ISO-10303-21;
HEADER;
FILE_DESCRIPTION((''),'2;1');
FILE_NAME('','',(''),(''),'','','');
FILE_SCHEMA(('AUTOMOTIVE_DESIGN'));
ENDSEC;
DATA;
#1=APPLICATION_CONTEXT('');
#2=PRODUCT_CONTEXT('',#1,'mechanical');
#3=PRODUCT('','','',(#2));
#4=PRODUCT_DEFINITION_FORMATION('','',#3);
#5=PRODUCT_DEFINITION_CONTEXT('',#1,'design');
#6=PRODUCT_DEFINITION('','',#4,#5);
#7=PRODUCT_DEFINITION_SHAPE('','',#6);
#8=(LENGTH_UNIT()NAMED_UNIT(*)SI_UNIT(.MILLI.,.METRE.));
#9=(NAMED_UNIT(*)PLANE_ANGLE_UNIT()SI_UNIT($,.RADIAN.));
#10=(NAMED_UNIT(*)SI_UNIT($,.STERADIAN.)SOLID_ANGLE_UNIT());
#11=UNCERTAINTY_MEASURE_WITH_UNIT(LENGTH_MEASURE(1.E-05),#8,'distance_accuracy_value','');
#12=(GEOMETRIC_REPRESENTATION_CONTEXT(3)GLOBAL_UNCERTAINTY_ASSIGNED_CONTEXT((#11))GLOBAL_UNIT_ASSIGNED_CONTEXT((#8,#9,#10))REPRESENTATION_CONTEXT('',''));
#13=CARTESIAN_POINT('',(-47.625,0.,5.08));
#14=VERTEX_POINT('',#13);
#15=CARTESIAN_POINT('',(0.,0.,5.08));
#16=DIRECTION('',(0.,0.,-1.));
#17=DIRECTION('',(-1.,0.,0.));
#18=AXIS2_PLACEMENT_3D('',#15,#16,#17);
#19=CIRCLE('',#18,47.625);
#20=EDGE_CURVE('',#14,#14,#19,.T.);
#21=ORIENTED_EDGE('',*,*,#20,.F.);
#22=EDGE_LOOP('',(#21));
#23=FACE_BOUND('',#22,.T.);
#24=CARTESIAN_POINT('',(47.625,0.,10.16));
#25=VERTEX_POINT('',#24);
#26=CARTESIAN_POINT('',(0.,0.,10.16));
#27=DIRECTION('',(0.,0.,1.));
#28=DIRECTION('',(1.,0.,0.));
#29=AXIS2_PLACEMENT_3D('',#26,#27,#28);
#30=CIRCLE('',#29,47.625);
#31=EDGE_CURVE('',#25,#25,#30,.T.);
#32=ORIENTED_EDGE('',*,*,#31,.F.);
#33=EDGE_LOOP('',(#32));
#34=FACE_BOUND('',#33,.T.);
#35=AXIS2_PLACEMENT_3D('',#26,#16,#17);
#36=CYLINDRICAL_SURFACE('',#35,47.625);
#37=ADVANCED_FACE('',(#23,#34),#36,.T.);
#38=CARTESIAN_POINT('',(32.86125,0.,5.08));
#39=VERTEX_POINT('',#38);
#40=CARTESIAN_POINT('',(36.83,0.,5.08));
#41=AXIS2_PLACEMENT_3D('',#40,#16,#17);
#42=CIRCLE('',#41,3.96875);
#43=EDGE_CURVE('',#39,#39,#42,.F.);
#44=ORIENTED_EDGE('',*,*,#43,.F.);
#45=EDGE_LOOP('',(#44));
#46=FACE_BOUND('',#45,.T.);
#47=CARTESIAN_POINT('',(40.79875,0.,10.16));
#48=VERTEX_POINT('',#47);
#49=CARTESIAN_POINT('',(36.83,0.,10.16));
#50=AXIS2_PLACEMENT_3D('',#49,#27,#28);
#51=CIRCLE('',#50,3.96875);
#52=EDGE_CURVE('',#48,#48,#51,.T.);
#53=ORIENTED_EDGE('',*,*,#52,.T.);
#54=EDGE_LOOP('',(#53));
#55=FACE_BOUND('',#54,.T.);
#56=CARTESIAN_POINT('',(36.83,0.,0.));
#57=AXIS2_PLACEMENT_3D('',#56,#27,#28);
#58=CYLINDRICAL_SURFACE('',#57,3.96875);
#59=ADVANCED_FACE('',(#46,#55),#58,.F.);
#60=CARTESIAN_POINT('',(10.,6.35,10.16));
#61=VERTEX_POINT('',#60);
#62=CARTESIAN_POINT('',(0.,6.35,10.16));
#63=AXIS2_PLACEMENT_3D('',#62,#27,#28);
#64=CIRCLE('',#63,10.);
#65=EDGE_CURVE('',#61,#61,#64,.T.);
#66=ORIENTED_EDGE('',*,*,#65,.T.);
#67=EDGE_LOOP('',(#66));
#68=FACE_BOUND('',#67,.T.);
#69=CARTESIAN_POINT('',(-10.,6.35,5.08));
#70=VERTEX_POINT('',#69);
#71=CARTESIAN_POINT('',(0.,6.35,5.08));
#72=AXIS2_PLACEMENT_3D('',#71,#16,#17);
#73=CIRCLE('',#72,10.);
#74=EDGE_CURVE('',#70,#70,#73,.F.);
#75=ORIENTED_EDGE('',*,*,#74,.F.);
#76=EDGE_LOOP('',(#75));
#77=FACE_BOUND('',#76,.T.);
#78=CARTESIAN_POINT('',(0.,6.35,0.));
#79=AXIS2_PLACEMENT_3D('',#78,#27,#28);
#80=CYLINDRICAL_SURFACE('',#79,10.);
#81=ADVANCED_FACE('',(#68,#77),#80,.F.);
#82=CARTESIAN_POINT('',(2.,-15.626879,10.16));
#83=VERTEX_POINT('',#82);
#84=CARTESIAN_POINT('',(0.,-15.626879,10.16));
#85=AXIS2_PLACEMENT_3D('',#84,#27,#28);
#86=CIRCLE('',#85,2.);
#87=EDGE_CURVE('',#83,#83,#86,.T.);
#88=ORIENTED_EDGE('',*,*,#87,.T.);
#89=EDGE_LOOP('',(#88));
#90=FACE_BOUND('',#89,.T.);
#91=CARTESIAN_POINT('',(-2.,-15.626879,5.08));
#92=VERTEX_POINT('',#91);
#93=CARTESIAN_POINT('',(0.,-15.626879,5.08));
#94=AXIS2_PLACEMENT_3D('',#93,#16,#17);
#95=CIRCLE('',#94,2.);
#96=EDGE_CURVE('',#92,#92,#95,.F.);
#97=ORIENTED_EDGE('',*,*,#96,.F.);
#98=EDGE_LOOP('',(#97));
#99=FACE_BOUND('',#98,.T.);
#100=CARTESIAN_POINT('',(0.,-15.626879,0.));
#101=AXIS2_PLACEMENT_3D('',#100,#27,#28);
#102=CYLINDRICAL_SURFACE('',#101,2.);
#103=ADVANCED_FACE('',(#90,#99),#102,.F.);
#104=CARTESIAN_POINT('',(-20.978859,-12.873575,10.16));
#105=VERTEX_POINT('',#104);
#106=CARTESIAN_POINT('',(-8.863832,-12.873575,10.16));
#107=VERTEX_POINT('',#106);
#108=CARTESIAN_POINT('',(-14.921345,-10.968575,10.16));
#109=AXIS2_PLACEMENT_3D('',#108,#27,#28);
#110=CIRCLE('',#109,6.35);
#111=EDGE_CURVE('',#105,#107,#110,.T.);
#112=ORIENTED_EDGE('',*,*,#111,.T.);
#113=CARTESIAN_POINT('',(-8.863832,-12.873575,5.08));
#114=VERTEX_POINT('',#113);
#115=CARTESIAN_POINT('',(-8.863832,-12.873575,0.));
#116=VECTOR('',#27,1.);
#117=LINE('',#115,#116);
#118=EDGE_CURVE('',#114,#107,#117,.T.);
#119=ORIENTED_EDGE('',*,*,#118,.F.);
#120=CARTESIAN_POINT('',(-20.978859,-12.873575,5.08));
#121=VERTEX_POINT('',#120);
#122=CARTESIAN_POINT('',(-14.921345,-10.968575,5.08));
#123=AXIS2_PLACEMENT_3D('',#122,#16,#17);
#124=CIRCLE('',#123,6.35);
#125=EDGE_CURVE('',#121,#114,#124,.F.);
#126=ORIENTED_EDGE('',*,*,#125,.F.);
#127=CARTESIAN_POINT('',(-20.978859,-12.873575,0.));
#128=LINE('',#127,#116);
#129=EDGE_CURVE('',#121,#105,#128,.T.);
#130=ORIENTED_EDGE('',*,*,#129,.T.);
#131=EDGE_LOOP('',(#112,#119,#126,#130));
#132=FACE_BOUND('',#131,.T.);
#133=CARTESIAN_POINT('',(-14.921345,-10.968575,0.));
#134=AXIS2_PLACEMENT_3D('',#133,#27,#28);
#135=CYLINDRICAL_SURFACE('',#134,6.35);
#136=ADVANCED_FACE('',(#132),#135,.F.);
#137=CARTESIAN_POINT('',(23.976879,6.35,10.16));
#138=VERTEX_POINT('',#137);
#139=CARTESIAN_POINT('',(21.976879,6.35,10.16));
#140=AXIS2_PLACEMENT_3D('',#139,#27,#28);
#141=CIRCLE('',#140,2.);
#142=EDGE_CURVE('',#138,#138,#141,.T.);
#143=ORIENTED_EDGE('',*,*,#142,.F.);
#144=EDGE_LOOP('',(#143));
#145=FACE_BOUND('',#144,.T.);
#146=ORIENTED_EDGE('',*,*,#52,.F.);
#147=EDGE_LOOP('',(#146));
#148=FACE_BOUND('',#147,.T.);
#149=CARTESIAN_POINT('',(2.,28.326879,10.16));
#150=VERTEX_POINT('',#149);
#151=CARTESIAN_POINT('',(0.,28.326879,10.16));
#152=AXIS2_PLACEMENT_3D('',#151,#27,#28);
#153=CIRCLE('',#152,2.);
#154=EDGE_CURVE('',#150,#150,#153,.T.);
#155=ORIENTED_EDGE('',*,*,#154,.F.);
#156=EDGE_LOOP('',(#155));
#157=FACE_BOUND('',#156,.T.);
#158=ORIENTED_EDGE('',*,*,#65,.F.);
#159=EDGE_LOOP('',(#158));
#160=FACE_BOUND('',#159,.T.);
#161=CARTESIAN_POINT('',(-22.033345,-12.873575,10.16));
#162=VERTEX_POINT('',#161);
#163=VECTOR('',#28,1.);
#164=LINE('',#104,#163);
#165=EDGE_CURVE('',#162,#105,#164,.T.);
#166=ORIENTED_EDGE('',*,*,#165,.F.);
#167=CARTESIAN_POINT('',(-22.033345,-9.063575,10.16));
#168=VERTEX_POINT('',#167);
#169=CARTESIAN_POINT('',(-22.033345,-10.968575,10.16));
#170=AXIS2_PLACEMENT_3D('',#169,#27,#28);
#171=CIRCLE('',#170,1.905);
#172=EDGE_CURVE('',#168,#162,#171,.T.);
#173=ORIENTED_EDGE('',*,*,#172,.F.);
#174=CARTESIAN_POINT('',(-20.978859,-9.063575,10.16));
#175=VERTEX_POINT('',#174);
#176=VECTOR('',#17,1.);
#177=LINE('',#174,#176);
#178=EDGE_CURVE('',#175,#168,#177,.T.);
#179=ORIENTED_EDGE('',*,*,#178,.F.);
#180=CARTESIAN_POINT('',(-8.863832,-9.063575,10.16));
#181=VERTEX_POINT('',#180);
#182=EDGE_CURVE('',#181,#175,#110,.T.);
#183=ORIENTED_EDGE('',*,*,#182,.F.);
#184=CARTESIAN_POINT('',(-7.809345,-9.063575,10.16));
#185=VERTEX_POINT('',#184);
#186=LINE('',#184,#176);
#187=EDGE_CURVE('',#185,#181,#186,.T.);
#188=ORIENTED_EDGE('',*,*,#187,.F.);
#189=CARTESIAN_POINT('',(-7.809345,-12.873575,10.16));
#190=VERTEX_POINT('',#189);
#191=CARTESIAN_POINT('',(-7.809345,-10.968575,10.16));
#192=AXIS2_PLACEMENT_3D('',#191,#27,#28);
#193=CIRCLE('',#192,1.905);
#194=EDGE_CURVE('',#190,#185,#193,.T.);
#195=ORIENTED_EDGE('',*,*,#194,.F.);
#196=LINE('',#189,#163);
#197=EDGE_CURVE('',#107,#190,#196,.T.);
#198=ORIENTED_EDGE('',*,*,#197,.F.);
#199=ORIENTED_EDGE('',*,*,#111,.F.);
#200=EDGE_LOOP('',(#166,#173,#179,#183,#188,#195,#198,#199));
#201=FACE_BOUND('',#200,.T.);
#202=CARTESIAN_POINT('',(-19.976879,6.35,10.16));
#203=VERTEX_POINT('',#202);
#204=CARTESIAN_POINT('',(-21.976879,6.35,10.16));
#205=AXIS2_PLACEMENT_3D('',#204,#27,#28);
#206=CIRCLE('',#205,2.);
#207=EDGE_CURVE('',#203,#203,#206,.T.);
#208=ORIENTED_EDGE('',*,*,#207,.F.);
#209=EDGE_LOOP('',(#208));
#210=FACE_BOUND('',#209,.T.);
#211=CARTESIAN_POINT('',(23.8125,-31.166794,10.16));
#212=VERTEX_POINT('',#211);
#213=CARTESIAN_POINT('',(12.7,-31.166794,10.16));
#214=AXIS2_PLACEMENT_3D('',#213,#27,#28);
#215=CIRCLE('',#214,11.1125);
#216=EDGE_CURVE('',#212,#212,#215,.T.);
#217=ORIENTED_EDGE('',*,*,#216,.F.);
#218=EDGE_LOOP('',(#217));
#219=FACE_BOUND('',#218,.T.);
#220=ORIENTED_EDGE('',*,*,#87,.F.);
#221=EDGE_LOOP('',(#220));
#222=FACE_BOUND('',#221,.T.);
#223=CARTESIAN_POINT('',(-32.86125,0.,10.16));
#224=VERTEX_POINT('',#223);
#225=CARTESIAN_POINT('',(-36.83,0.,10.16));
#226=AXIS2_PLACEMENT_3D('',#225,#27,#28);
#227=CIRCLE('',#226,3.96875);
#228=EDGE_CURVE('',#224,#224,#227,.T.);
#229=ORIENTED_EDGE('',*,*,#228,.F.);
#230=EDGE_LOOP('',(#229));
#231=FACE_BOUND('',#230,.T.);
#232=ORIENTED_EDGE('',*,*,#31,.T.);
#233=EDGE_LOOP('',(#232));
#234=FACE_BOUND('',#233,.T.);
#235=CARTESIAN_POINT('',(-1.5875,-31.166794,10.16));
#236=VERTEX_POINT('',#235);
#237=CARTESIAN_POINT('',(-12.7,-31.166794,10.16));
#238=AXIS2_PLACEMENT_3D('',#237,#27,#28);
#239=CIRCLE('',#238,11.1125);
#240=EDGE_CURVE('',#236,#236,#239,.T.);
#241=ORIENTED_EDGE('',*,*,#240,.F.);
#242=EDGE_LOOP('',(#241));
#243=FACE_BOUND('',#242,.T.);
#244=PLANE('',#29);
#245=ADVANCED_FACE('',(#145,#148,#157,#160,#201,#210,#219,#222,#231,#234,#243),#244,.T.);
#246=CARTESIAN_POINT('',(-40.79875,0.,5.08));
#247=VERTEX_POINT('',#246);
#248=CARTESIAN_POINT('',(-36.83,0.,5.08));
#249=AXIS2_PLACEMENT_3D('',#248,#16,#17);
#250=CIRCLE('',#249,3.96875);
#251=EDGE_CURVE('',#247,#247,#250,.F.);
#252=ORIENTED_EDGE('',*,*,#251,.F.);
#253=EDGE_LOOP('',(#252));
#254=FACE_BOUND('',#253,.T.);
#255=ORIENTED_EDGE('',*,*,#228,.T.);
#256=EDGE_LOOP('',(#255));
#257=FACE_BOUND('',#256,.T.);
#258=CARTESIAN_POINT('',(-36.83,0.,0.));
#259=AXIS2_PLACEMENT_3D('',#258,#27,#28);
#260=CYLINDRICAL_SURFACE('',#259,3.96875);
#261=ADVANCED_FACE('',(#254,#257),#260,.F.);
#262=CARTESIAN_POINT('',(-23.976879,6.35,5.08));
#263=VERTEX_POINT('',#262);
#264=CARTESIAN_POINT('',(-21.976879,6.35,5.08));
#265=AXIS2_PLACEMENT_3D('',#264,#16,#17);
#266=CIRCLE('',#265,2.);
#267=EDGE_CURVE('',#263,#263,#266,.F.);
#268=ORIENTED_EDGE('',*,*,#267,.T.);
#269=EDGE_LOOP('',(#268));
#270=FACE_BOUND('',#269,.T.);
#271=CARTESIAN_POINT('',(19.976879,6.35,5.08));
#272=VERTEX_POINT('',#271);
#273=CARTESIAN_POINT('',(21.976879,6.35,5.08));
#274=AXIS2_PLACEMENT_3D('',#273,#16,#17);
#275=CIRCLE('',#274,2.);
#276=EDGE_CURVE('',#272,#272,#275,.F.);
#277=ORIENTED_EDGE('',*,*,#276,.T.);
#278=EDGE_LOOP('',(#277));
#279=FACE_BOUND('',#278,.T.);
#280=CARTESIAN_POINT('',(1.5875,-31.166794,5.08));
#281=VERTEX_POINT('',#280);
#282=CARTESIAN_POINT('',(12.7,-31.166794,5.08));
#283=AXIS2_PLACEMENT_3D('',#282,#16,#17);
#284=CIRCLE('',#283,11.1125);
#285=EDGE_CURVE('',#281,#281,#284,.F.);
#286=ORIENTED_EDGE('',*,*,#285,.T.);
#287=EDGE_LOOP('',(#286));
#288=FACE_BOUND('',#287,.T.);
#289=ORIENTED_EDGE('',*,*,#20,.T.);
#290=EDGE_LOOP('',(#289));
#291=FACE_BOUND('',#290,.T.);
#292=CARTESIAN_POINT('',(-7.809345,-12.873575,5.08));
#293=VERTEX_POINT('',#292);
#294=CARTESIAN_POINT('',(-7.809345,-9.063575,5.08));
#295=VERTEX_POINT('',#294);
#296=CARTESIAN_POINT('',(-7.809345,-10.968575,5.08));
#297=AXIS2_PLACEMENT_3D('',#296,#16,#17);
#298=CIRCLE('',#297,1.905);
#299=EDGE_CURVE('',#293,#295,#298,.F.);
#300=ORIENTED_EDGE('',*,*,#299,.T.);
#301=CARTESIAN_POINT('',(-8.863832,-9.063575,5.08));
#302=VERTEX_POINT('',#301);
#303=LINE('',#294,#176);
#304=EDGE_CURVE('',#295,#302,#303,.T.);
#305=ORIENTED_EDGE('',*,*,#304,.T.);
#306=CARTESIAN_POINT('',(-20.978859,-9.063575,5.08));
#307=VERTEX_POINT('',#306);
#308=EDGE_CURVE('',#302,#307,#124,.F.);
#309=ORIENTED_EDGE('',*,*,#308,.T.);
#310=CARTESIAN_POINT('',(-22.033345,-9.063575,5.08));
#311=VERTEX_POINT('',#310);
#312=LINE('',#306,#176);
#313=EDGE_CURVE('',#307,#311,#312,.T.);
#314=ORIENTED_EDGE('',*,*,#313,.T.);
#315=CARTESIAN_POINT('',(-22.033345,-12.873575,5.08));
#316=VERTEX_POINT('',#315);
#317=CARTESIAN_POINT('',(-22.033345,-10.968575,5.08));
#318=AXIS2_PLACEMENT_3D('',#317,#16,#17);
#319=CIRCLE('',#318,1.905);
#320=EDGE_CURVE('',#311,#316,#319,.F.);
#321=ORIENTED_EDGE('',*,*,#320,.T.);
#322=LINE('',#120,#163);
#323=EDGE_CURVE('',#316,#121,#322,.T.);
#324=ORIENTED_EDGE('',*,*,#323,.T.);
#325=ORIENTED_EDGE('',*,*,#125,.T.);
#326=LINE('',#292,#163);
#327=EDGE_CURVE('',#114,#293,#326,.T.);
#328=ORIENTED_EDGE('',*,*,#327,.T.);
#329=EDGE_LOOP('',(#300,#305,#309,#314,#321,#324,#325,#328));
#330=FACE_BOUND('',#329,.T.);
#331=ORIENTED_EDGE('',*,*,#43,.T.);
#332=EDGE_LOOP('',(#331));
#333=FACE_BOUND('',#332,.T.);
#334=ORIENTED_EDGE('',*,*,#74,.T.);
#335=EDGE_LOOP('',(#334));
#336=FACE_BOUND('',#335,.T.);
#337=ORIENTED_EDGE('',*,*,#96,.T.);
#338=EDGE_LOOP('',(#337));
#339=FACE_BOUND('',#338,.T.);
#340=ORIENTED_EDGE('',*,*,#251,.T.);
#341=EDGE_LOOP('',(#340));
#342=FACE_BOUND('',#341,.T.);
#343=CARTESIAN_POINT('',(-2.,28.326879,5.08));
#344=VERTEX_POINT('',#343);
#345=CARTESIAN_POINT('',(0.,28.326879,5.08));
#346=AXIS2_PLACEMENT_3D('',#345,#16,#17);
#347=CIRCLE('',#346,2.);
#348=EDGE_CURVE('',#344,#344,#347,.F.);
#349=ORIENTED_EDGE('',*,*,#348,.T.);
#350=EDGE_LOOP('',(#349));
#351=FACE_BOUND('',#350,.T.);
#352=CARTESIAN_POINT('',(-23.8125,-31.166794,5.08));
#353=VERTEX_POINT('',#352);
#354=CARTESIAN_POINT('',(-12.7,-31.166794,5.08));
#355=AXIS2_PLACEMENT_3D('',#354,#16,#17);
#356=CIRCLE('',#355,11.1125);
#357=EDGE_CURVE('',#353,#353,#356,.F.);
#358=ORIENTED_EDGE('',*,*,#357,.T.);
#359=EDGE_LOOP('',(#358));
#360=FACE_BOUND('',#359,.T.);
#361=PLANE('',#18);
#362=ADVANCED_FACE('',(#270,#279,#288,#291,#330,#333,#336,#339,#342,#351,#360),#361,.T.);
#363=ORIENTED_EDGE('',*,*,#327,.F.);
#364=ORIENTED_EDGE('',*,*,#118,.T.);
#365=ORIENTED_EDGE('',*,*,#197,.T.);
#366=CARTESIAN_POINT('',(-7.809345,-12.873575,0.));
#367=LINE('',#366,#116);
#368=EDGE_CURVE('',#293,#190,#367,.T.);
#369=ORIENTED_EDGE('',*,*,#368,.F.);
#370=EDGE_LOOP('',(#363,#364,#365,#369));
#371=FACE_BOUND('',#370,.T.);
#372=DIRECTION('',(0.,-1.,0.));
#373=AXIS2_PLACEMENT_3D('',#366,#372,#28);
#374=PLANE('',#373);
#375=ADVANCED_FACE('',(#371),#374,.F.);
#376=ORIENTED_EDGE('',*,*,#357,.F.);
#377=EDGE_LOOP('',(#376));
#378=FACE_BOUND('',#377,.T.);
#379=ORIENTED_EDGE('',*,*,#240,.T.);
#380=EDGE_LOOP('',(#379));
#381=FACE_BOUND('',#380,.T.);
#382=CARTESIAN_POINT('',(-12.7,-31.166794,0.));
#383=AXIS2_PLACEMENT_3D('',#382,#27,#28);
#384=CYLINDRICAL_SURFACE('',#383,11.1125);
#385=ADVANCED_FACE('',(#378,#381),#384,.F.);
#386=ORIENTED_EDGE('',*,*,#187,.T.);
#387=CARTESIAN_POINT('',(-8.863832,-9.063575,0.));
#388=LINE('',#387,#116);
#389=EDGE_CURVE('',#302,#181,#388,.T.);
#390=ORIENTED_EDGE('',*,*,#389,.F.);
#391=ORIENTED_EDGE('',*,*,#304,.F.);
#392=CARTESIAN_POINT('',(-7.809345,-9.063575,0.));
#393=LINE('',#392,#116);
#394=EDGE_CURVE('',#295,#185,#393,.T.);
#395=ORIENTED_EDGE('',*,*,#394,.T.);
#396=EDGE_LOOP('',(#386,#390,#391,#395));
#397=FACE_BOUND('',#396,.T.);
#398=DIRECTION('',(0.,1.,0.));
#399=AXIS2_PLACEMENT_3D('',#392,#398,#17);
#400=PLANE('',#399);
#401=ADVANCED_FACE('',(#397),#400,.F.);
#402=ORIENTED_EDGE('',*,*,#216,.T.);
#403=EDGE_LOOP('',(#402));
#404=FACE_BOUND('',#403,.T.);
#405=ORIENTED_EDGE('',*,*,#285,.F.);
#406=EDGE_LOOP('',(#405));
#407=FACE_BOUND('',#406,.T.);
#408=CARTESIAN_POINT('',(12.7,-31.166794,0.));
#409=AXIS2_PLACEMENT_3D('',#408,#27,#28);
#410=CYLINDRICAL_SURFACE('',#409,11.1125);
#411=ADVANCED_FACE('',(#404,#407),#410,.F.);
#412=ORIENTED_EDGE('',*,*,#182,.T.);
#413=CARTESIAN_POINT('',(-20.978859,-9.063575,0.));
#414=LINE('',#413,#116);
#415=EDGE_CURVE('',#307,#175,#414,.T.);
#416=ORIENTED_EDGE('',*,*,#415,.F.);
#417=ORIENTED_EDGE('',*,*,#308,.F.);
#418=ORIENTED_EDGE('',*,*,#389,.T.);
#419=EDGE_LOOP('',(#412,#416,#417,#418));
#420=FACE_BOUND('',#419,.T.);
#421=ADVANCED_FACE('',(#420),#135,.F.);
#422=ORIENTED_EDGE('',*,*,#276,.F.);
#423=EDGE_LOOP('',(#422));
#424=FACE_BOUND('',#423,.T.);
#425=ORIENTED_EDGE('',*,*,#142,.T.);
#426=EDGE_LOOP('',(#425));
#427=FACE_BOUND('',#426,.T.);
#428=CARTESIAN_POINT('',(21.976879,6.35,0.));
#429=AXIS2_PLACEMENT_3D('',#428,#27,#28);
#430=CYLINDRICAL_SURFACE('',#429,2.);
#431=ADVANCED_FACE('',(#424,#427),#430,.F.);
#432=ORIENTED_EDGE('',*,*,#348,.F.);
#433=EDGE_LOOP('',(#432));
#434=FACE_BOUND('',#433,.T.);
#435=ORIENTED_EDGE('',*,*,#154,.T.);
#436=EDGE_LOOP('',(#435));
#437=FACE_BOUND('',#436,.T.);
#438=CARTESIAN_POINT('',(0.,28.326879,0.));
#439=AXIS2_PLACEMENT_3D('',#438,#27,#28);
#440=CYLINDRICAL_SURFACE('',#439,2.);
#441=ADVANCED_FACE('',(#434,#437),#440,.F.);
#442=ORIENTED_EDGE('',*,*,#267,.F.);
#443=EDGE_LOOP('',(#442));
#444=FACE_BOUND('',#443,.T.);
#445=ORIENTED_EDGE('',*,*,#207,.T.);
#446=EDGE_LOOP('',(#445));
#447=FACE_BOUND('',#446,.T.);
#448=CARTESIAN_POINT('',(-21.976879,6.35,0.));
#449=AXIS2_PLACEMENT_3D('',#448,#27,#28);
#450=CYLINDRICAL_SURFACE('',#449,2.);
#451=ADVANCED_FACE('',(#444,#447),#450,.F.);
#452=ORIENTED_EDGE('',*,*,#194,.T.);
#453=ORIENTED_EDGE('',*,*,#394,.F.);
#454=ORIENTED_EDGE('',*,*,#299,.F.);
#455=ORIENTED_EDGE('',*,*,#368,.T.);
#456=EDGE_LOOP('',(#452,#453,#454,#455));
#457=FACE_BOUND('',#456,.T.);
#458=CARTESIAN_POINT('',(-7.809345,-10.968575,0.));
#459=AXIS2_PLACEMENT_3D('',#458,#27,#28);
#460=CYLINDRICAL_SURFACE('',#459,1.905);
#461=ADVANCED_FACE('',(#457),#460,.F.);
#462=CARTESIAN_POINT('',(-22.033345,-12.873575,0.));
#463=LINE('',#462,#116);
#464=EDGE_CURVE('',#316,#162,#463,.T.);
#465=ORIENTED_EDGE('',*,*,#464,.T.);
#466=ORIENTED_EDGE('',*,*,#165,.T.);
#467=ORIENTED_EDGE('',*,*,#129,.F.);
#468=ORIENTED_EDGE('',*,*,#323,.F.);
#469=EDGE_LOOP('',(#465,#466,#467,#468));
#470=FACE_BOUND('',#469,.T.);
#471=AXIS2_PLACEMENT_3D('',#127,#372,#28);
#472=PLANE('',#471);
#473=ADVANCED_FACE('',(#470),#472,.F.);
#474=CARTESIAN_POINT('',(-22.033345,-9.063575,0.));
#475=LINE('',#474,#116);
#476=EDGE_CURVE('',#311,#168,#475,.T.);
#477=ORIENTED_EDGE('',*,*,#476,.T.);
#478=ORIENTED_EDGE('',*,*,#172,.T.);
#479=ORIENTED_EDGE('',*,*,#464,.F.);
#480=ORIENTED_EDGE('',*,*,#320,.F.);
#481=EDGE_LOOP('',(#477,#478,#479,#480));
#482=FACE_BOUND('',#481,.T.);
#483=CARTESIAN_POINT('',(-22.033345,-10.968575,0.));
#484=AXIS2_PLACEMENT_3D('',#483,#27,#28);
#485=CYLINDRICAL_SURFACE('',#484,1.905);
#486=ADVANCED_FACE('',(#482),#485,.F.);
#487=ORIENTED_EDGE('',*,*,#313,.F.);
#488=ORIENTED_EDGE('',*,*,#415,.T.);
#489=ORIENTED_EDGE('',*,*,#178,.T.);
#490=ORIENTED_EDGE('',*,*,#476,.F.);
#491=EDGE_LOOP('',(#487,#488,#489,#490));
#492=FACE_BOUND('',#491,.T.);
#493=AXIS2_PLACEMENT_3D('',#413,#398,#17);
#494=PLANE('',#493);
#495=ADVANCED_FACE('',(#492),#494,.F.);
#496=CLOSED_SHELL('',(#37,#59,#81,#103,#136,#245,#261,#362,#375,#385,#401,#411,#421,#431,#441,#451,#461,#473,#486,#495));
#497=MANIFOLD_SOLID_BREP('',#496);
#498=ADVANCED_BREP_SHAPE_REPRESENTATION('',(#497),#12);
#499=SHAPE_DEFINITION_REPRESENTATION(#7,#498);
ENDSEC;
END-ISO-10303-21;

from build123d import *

# Parameters (mm, degrees)
SKETCH1_R           = 49.5046
BOSS_EXTRUDE1_DEPTH = 5.08
SKETCH2_R           = 47.625
BOSS_EXTRUDE2_DEPTH = 5.08
SKETCH3_R           = 11.1125
SKETCH3_R_2         = 3.96875
SKETCH3_R_3         = 10
SKETCH3_R_4         = 2
CUT_EXTRUDE1_DEPTH  = 11.16
SKETCH7_R           = 52.166274697
CUT_EXTRUDE4_DEPTH  = 5.08


with BuildPart() as part:
    # Sketch1 → Boss-Extrude1 (new body)
    with BuildSketch(Plane.XY):
        Circle(SKETCH1_R)
    extrude(amount=BOSS_EXTRUDE1_DEPTH)

    # Sketch2 → Boss-Extrude2 (add)
    with BuildSketch(Plane.XY.offset(5.08)):
        Circle(SKETCH2_R)
    extrude(amount=BOSS_EXTRUDE2_DEPTH)

    # Sketch3 → Cut-Extrude1 (cut, through all)
    with BuildSketch(Plane.XY.offset(10.16)):
        with Locations((-12.7, -31.166793627)):
            Circle(SKETCH3_R)
        with Locations((12.7, -31.166793627)):
            Circle(SKETCH3_R)
        with Locations((-36.83, 0)):
            Circle(SKETCH3_R_2)
        with Locations((36.83, 0)):
            Circle(SKETCH3_R_2)
        with Locations((0, 6.35)):
            Circle(SKETCH3_R_3)
        with Locations((0, 28.326878759)):
            Circle(SKETCH3_R_4)
        with Locations((21.976878759, 6.35)):
            Circle(SKETCH3_R_4)
        with Locations((0, -15.626878759)):
            Circle(SKETCH3_R_4)
        with Locations((-21.976878759, 6.35)):
            Circle(SKETCH3_R_4)
        with BuildLine():
            Line((-7.809345457, -12.873575281), (-8.863831528, -12.873575281))
            ThreePointArc((-8.863831528, -12.873575281), (-14.921345457, -17.318575281), (-20.978859386, -12.873575281))
            Line((-20.978859386, -12.873575281), (-22.033345457, -12.873575281))
            ThreePointArc((-22.033345457, -12.873575281), (-23.938345457, -10.968575281), (-22.033345457, -9.063575281))
            Line((-22.033345457, -9.063575281), (-20.978859386, -9.063575281))
            ThreePointArc((-20.978859386, -9.063575281), (-14.921345457, -4.618575281), (-8.863831528, -9.063575281))
            Line((-8.863831528, -9.063575281), (-7.809345457, -9.063575281))
            ThreePointArc((-7.809345457, -9.063575281), (-5.904345457, -10.968575281), (-7.809345457, -12.873575281))
        make_face()
    extrude(amount=-CUT_EXTRUDE1_DEPTH, mode=Mode.SUBTRACT)

    # Sketch7 → Cut-Extrude4 (cut)
    with BuildSketch(Plane(origin=(0, 0, 0), x_dir=(-1, 0, 0), z_dir=(0, 0, -1))):
        Circle(SKETCH7_R)
    extrude(amount=-CUT_EXTRUDE4_DEPTH, mode=Mode.SUBTRACT)


solid = part.part
